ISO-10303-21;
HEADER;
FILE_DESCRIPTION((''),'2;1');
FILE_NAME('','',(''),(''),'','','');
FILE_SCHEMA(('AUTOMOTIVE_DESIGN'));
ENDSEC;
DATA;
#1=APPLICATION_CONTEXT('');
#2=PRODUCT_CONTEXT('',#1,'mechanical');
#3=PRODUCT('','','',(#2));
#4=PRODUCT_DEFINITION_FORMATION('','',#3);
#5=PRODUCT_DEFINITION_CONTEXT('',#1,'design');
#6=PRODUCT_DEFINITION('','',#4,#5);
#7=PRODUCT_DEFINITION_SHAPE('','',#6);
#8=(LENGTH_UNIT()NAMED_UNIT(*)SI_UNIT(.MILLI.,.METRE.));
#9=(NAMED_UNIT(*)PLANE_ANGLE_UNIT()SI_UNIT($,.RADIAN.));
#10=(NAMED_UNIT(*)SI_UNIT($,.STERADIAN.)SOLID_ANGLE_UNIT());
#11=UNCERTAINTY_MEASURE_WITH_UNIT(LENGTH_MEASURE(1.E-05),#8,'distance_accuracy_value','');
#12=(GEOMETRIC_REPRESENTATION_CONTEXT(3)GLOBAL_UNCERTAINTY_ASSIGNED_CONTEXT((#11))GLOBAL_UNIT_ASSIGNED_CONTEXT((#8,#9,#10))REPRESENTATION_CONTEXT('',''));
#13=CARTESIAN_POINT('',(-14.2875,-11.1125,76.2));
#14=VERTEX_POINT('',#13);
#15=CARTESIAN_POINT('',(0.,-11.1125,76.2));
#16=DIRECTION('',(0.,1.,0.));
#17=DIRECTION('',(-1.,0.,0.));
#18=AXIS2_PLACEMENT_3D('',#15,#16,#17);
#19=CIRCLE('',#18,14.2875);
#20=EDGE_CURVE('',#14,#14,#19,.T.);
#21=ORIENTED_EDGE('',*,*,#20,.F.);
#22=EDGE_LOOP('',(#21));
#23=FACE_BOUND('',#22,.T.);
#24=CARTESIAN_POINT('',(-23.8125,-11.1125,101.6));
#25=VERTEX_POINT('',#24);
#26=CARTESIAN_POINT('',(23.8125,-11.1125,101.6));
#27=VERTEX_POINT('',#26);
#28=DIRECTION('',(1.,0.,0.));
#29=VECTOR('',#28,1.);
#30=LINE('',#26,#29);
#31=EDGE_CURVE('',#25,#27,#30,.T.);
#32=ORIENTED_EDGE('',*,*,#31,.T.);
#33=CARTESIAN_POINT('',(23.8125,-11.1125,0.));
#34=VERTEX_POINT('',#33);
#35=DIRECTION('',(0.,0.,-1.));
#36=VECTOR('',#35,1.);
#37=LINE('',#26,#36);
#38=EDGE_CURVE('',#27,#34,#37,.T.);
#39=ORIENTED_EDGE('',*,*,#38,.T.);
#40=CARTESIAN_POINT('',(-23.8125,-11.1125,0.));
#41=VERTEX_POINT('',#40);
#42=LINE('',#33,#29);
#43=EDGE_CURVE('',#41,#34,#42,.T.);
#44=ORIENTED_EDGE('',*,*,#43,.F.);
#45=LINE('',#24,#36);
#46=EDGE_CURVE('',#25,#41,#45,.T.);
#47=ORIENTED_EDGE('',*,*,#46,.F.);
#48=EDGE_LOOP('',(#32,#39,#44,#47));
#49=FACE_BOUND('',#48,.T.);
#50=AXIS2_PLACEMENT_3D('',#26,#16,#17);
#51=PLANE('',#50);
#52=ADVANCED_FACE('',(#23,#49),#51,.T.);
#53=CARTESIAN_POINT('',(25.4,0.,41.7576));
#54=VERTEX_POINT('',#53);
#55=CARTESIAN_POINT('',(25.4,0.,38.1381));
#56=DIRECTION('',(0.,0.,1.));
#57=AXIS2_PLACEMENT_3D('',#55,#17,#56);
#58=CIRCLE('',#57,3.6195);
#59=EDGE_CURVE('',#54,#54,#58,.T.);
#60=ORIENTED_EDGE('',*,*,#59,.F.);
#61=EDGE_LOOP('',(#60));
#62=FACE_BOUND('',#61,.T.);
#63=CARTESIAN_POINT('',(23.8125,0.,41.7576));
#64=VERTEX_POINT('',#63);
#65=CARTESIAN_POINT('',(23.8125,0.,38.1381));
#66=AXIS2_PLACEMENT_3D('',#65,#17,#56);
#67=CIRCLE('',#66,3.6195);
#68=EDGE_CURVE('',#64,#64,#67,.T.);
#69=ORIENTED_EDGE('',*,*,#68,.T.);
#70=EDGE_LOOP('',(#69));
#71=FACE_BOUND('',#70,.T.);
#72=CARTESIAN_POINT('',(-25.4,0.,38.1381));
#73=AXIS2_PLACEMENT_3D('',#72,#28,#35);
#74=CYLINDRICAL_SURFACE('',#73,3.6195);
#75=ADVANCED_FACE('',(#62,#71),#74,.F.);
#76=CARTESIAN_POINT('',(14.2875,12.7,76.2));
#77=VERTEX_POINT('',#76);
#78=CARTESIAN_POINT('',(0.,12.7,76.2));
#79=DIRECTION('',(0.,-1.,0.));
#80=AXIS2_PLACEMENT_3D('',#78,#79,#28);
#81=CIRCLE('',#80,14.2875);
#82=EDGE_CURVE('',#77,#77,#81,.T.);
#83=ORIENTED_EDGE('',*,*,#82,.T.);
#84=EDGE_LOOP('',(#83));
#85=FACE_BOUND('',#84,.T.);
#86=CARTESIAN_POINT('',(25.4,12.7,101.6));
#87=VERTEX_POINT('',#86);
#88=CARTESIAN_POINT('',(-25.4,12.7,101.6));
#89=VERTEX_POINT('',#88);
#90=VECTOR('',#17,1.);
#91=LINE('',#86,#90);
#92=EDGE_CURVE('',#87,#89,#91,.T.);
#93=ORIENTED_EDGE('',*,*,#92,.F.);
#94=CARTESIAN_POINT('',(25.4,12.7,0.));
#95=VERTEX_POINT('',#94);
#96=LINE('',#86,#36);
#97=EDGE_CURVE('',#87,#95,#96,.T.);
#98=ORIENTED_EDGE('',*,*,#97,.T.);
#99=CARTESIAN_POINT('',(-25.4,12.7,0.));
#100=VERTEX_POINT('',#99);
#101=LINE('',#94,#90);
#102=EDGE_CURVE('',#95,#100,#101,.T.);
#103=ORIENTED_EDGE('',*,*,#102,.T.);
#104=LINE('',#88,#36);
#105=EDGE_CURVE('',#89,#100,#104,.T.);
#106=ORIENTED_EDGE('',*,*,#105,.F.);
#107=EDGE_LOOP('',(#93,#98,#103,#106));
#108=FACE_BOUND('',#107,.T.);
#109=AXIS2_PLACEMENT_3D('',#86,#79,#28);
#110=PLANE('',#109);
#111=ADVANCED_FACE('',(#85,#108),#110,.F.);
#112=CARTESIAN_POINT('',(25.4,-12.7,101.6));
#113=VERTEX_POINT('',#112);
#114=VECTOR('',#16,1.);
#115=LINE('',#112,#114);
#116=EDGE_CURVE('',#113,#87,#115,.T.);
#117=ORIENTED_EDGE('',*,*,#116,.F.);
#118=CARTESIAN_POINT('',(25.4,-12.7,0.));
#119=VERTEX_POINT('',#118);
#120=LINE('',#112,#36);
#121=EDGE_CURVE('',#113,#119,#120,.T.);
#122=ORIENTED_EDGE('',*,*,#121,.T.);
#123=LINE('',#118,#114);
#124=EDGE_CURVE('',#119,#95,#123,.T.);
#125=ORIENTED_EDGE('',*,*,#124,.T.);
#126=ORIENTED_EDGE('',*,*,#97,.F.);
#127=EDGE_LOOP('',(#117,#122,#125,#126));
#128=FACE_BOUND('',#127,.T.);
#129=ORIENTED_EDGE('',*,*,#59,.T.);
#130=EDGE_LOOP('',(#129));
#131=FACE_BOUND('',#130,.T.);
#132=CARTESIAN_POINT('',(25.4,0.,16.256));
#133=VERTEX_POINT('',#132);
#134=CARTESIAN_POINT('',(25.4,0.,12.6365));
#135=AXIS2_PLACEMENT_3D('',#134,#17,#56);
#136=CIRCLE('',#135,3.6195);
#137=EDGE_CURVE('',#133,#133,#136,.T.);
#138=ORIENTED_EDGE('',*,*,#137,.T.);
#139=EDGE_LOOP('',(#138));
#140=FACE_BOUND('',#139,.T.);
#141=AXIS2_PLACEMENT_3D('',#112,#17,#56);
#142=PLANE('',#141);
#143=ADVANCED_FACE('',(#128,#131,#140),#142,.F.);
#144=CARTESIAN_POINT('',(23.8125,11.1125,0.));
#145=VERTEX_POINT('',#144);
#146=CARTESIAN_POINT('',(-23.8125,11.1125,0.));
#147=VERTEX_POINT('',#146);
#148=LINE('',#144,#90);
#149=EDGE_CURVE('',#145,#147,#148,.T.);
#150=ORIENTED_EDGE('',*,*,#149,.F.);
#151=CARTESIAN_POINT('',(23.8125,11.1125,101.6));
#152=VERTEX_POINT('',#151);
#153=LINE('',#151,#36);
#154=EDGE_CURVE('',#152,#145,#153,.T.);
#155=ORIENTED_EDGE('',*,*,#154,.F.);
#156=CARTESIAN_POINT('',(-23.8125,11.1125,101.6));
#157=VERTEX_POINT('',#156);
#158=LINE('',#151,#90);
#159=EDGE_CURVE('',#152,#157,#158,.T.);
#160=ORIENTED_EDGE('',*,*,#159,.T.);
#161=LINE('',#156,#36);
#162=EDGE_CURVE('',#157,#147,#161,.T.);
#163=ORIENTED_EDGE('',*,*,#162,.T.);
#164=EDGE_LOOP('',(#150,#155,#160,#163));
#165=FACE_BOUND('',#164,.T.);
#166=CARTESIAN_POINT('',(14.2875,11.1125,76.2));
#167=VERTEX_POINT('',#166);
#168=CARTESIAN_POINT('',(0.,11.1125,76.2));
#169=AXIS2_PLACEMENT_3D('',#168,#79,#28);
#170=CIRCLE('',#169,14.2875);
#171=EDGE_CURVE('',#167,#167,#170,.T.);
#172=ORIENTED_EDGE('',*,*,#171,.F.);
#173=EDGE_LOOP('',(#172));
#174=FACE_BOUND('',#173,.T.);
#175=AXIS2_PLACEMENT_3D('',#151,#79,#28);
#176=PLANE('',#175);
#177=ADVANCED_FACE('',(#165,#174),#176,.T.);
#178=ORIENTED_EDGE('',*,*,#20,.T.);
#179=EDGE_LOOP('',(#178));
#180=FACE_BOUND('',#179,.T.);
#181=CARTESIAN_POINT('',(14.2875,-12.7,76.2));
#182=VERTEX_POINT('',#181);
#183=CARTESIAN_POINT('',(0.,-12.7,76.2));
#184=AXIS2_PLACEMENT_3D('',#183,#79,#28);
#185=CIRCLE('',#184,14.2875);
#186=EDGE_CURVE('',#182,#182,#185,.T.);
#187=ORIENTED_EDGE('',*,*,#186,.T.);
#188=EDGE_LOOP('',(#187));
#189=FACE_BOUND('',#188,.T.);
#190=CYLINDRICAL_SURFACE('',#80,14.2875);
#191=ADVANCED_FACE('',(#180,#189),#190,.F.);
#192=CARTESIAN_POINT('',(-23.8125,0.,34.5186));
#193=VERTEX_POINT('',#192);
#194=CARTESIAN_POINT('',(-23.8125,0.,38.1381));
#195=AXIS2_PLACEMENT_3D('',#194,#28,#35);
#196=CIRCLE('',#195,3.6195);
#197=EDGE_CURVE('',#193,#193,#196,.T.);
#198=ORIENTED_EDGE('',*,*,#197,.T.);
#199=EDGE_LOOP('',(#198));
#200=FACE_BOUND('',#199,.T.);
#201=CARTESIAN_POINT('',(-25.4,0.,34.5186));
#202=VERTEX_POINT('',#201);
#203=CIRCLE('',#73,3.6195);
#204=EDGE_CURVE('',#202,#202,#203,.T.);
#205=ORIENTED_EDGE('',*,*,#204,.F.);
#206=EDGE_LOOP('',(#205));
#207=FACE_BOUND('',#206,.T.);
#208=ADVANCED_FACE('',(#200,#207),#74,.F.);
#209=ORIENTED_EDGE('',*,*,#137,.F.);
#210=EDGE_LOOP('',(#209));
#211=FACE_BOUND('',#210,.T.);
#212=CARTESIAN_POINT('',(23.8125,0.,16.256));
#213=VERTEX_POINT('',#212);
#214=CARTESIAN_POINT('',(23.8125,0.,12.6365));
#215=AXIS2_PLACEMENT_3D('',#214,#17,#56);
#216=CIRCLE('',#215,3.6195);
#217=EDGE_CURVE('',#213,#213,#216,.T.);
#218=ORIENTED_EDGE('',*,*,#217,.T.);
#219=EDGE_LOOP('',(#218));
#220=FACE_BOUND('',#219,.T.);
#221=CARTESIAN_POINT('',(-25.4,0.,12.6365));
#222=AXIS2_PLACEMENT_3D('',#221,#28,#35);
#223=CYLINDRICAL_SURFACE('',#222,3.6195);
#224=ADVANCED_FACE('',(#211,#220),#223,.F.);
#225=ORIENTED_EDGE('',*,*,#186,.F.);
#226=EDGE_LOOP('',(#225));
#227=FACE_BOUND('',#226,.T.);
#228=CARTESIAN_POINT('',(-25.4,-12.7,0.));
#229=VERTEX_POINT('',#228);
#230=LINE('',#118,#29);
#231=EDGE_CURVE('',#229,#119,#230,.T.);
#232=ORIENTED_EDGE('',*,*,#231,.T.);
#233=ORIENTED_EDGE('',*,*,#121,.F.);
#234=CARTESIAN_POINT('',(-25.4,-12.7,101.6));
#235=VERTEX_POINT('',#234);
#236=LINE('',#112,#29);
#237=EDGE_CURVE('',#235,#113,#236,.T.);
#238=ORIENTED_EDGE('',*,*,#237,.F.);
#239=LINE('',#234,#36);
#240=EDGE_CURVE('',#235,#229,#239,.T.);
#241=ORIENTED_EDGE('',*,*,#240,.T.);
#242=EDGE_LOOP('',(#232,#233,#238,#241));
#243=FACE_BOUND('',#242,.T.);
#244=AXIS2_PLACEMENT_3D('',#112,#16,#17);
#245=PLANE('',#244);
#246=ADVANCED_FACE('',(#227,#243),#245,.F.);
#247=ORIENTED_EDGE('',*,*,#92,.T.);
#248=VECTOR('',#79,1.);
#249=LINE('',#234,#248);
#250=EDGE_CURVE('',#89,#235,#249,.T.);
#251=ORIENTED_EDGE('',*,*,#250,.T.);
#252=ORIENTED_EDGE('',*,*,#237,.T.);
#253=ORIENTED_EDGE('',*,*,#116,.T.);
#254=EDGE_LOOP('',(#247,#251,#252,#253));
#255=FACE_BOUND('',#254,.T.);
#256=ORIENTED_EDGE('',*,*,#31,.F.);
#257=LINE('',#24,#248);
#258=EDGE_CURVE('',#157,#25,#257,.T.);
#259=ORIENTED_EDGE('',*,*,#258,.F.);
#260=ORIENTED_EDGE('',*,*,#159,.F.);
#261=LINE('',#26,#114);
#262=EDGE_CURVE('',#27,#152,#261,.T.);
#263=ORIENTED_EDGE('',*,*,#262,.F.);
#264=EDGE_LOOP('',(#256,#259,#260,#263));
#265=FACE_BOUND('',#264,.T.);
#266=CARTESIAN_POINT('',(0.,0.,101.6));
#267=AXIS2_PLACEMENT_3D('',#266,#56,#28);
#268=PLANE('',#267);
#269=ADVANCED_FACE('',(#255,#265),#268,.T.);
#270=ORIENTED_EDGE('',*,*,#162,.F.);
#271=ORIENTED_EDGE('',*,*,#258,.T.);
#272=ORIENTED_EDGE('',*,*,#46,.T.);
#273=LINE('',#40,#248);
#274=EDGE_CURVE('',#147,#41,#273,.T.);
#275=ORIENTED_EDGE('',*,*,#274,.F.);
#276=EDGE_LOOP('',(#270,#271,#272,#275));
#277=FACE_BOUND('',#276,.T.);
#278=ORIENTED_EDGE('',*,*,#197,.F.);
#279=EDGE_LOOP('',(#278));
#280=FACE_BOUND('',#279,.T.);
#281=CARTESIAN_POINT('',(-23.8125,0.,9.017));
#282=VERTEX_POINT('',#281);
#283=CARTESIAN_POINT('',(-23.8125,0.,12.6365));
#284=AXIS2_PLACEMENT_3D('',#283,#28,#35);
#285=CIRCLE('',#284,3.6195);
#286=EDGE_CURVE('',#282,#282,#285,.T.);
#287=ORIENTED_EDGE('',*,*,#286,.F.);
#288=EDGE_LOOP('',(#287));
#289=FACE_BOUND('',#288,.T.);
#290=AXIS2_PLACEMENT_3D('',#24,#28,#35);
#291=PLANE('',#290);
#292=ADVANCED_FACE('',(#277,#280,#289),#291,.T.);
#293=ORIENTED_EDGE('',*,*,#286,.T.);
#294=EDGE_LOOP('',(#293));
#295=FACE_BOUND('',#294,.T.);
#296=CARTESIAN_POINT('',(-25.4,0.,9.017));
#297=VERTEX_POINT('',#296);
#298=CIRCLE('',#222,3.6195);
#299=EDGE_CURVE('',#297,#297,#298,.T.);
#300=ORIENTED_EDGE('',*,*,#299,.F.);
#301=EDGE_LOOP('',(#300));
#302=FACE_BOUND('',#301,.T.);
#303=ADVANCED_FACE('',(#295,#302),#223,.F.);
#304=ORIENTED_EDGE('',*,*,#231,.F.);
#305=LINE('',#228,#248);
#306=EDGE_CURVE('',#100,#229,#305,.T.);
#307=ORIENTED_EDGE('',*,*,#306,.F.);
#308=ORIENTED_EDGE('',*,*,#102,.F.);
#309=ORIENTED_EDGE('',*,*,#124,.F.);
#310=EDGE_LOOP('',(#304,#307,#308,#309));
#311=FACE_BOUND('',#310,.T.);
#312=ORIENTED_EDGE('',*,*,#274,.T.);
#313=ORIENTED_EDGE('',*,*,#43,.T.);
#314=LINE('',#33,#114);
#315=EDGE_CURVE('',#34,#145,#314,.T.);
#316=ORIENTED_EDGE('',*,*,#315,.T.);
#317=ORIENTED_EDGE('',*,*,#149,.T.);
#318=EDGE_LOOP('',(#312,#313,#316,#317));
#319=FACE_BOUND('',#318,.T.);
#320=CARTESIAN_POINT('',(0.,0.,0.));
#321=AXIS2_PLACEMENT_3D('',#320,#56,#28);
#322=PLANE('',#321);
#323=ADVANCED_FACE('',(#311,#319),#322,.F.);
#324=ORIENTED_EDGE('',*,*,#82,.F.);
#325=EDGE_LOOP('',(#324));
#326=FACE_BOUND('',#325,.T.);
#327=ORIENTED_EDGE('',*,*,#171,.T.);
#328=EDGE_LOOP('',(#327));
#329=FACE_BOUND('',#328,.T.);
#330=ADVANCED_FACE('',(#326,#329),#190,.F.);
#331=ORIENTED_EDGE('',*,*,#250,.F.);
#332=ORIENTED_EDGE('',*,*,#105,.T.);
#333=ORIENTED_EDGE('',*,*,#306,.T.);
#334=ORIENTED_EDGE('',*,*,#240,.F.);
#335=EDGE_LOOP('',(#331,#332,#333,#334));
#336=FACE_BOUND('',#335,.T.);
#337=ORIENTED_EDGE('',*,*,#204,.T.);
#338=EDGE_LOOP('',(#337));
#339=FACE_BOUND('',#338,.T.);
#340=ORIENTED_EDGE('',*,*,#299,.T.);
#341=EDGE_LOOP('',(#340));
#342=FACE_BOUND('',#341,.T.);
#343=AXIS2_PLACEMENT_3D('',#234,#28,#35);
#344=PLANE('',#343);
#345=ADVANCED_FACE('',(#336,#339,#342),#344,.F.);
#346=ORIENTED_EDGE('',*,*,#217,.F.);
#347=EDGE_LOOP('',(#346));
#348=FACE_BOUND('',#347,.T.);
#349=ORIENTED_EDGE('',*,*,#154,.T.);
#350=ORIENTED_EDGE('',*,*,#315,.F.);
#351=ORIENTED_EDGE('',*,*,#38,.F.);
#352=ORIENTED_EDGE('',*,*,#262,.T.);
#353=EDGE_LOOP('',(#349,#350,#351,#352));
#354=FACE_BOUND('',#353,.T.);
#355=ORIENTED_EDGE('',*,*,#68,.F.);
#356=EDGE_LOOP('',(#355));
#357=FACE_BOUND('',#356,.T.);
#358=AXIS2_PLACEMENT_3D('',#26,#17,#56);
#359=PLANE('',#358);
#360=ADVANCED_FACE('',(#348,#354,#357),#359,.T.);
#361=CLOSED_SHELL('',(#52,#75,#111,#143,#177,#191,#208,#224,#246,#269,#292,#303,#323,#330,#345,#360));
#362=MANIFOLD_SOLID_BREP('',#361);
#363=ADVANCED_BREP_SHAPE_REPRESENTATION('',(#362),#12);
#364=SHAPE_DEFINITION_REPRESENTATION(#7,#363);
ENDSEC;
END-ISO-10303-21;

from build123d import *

# Parameters (mm, degrees)
SKETCH1_W               = 50.8
SKETCH1_H               = 25.4
SKETCH1_W_2             = 47.625
SKETCH1_H_2             = 22.225
BOSS_EXTRUDE1_DEPTH     = 101.6
SKETCH2_R               = 14.2875
CUT_EXTRUDE1_DEPTH      = 26.4
SKETCH3_R               = 3.6195
CUT_EXTRUDE2_DEPTH      = 1
CUT_EXTRUDE2_DEPTH_BACK = 51.8


with BuildPart() as part:
    # Sketch1 → Boss-Extrude1 (new body)
    with BuildSketch(Plane.XY):
        Rectangle(SKETCH1_W, SKETCH1_H)
        Rectangle(SKETCH1_W_2, SKETCH1_H_2, mode=Mode.SUBTRACT)
    extrude(amount=BOSS_EXTRUDE1_DEPTH)

    # Sketch2 → Cut-Extrude1 (cut, through all)
    with BuildSketch(Plane.XZ.offset(12.7)):
        with Locations((0, 76.2)):
            Circle(SKETCH2_R)
    extrude(amount=-CUT_EXTRUDE1_DEPTH, mode=Mode.SUBTRACT)

    # Sketch3 → Cut-Extrude2 (cut, two sides)
    with BuildSketch(Plane(origin=(25.4, 0, 0), x_dir=(0, 0, -1), z_dir=(1, 0, 0))) as cut_extrude2_sk:
        with Locations((-38.1381, 0)):
            Circle(SKETCH3_R)
        with Locations((-12.6365, 0)):
            Circle(SKETCH3_R)
    extrude(amount=CUT_EXTRUDE2_DEPTH, mode=Mode.SUBTRACT)
    extrude(cut_extrude2_sk.sketch, amount=-CUT_EXTRUDE2_DEPTH_BACK, mode=Mode.SUBTRACT)


solid = part.part
